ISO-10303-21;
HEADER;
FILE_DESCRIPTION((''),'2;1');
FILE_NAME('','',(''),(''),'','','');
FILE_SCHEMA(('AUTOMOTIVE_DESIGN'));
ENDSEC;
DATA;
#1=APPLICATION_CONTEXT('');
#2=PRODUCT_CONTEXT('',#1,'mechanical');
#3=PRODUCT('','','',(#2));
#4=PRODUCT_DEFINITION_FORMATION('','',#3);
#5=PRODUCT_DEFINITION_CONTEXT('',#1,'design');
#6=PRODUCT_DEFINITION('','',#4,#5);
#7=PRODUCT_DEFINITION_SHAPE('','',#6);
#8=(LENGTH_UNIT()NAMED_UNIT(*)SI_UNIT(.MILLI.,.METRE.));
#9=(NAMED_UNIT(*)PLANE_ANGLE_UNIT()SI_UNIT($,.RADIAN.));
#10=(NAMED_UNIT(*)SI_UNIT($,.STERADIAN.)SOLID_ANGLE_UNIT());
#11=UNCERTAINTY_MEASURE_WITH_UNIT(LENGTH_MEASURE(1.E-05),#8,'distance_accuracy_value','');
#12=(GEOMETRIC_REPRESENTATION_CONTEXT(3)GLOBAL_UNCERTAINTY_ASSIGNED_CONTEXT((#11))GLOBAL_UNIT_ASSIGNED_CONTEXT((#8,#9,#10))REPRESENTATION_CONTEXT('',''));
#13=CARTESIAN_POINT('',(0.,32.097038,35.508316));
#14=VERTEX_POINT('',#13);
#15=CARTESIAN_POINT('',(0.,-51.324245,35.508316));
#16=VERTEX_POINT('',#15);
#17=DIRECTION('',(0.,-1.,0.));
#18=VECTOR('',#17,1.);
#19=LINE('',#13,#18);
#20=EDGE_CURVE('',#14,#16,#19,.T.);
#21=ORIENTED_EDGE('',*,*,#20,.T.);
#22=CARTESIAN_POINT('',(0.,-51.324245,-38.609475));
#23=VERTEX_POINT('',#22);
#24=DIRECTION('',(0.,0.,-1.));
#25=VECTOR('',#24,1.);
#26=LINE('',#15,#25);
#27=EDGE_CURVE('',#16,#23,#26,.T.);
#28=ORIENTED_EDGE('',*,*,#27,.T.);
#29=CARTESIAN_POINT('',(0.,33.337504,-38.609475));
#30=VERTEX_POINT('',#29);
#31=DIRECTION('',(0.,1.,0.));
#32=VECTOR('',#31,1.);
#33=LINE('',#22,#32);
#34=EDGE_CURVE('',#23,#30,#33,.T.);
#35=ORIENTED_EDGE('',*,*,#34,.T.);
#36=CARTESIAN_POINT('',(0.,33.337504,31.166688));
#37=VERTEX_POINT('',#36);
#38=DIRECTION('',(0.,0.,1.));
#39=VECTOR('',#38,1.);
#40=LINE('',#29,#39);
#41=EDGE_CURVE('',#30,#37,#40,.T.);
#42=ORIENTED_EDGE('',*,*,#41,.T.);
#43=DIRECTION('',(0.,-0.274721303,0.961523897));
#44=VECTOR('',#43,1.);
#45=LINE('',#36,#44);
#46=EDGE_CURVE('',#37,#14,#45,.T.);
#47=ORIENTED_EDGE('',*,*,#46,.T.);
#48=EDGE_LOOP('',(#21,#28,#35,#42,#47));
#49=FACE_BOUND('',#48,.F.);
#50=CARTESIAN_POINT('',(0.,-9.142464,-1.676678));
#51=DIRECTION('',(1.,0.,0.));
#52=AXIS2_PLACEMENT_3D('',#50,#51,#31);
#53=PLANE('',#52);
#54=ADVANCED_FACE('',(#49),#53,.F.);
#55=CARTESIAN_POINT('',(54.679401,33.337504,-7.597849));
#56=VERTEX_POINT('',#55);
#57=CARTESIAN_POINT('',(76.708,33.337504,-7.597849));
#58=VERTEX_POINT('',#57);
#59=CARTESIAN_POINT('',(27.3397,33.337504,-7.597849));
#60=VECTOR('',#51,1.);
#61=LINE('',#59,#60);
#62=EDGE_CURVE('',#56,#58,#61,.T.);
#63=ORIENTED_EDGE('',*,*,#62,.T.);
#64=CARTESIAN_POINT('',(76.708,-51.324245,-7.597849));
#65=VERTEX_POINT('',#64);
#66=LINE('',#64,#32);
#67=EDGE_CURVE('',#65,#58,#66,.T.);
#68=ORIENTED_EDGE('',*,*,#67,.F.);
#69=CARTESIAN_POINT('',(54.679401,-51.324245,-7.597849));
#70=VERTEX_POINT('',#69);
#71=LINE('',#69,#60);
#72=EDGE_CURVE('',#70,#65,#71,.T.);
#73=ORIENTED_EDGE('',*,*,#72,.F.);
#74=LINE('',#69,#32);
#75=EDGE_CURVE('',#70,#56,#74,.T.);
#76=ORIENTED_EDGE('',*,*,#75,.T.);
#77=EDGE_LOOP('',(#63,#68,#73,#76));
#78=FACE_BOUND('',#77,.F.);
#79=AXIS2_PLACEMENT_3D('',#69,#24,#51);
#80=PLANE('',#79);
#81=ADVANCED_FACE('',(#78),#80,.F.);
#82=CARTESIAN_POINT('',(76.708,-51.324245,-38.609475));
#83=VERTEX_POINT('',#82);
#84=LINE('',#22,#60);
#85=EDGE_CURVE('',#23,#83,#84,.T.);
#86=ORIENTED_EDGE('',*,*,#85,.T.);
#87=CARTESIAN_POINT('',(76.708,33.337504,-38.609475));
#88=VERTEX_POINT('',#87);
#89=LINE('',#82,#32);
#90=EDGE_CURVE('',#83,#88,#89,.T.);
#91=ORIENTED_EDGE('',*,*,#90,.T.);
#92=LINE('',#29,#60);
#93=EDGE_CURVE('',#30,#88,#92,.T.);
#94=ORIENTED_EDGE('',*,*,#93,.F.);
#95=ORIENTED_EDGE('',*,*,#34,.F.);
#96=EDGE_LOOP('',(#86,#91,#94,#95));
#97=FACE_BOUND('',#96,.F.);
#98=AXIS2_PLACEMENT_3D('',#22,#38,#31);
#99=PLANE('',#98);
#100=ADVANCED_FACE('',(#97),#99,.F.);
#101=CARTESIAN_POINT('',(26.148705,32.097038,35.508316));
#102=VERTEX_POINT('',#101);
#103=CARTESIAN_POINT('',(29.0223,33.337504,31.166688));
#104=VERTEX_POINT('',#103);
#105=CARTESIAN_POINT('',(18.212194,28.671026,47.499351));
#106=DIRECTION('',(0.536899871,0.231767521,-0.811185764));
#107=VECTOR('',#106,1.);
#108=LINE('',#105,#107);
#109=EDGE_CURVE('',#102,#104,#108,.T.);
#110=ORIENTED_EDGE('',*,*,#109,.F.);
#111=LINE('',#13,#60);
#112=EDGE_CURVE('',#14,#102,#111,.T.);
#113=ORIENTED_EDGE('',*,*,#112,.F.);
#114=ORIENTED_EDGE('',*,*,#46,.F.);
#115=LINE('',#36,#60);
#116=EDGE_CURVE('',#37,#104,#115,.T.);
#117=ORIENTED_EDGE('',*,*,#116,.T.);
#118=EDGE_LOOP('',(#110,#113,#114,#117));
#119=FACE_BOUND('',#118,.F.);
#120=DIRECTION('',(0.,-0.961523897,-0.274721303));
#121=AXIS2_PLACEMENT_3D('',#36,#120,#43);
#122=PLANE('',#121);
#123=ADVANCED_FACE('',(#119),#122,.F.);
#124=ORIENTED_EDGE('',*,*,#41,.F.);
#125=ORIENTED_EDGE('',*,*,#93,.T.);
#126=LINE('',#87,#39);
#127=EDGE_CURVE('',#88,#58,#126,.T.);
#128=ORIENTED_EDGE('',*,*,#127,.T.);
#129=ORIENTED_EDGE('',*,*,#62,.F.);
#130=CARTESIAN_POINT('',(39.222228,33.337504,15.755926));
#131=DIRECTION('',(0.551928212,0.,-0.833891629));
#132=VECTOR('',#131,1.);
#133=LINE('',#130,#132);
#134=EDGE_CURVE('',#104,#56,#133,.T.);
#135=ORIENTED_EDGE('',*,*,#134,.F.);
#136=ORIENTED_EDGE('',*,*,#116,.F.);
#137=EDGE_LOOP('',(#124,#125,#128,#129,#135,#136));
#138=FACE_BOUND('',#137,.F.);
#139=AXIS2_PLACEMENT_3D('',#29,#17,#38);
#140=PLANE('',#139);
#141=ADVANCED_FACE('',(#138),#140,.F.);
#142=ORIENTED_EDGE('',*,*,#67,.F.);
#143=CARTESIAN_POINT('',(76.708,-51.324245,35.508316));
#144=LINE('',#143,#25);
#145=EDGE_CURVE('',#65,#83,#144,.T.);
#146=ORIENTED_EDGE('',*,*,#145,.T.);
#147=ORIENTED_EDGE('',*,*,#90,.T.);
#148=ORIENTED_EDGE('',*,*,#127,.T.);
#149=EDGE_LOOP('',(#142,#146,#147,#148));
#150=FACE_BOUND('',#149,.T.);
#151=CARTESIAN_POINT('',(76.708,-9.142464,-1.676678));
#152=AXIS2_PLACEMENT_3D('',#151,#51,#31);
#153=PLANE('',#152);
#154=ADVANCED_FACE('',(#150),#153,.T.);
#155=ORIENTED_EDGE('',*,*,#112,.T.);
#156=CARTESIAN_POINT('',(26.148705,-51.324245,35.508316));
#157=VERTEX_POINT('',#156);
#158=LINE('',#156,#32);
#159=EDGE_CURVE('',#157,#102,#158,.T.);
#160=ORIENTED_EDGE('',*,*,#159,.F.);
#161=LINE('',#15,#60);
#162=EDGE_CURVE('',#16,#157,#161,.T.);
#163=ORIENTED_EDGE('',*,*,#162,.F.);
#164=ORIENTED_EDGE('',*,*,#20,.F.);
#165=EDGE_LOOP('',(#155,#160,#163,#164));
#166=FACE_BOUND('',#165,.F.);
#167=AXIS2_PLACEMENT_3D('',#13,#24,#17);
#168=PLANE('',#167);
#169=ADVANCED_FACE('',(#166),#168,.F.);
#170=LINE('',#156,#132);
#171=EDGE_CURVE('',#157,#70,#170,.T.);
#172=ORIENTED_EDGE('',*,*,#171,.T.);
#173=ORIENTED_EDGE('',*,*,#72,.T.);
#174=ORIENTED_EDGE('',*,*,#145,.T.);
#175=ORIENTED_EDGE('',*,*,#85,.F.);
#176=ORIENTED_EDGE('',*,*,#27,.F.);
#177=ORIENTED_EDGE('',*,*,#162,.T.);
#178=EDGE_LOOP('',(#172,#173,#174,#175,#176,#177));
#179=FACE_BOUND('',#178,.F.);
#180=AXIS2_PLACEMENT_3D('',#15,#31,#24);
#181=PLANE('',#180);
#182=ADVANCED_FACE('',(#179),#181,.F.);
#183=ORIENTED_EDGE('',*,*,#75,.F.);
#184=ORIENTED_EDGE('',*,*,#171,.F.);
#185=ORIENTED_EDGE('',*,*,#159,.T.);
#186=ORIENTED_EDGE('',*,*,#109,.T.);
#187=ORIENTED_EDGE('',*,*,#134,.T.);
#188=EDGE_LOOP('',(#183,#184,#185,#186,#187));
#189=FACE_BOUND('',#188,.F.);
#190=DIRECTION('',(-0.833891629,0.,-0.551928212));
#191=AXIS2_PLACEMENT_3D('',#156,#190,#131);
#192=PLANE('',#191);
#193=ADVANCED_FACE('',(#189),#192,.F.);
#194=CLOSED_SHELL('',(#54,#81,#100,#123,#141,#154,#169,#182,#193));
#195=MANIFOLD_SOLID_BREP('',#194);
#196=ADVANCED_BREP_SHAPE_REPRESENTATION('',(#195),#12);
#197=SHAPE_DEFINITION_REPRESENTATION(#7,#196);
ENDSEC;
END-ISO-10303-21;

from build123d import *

# Parameters (mm, degrees)
F1_DEPTH = 76.708
F3_DEPTH = 88.392


with BuildPart() as f1:
    # F0 (on Right) → F1 (new body)
    with BuildSketch(Plane.YZ):
        Polygon((32.097038, 35.508316), (-51.324245, 35.508316), (-51.324245, -38.609475), (33.337504, -38.609475), (33.337504, 31.166688), align=None)
    extrude(amount=F1_DEPTH)

    # F2 (on face) → F3 (cut)
    with BuildSketch(Plane.XZ.offset(51.324245)):
        Polygon((76.708, 35.508316), (26.148705, 35.508316), (54.679401, -7.597849), (76.708, -7.597849), align=None)
    extrude(amount=-F3_DEPTH, mode=Mode.SUBTRACT)


solid = f1.part
